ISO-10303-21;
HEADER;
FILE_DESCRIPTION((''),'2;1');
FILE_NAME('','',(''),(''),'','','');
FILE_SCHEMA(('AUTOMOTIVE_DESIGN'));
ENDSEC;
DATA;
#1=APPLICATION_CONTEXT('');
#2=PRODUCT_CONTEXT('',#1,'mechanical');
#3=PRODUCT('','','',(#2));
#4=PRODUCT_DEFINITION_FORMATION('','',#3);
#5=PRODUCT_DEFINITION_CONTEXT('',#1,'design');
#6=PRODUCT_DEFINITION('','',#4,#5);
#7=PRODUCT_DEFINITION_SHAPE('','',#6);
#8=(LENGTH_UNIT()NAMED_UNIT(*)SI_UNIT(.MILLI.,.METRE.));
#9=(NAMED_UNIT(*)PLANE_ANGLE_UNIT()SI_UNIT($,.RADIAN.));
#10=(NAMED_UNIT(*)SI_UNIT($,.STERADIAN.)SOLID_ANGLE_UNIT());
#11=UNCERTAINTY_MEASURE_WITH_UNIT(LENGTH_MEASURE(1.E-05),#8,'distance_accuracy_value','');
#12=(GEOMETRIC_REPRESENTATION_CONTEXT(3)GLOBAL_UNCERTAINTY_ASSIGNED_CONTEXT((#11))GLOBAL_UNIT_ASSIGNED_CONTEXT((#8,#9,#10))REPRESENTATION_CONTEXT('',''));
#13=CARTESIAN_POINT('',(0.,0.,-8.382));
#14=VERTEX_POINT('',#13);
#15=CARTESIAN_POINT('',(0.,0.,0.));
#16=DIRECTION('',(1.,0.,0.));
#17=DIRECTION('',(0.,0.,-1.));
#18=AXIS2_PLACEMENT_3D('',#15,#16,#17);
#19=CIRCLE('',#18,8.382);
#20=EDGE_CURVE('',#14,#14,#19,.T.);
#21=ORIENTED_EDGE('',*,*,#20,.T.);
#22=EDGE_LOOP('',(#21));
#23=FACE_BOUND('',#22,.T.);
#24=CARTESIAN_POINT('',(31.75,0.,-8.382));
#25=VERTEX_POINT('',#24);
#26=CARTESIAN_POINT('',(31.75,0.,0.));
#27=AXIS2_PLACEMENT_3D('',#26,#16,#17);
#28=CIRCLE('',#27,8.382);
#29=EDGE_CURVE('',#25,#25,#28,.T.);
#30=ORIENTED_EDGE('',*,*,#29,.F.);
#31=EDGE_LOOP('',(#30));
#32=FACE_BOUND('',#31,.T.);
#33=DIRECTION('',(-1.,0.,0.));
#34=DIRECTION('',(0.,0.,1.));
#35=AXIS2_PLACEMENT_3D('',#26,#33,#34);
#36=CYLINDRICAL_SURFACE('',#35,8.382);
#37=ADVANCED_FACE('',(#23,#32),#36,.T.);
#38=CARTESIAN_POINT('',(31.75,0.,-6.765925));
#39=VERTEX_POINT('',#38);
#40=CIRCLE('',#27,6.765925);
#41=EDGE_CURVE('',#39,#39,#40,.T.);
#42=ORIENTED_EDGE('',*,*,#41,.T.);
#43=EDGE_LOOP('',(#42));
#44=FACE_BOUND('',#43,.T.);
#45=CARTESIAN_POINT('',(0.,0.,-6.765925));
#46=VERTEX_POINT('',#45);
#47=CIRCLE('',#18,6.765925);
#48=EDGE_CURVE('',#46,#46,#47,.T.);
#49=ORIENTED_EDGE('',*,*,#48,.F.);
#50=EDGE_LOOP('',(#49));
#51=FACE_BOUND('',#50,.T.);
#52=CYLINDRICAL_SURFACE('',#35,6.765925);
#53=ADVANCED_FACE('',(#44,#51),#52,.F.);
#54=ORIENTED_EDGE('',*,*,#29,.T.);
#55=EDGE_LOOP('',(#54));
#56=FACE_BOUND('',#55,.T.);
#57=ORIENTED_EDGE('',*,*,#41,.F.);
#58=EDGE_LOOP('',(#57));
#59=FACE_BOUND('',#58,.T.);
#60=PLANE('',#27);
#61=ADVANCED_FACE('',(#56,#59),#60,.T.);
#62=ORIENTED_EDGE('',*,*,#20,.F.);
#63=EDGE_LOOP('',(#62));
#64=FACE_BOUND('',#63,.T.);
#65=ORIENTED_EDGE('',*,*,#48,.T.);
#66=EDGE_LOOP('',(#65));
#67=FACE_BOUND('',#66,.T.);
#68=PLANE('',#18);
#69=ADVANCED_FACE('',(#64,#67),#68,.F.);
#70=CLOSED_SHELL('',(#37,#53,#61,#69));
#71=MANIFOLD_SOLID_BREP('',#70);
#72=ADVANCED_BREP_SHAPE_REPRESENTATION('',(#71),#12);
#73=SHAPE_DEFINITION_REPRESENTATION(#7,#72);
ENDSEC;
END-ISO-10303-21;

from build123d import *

# Parameters (mm, degrees)
SKETCH1_R           = 8.382
SKETCH1_R_2         = 6.765925
BOSS_EXTRUDE1_DEPTH = 31.75


with BuildPart() as part:
    # Sketch1 → Boss-Extrude1 (new body)
    with BuildSketch(Plane(origin=(0, 0, 0), x_dir=(0, 0, -1), z_dir=(1, 0, 0))):
        Circle(SKETCH1_R)
        Circle(SKETCH1_R_2, mode=Mode.SUBTRACT)
    extrude(amount=BOSS_EXTRUDE1_DEPTH)


solid = part.part
